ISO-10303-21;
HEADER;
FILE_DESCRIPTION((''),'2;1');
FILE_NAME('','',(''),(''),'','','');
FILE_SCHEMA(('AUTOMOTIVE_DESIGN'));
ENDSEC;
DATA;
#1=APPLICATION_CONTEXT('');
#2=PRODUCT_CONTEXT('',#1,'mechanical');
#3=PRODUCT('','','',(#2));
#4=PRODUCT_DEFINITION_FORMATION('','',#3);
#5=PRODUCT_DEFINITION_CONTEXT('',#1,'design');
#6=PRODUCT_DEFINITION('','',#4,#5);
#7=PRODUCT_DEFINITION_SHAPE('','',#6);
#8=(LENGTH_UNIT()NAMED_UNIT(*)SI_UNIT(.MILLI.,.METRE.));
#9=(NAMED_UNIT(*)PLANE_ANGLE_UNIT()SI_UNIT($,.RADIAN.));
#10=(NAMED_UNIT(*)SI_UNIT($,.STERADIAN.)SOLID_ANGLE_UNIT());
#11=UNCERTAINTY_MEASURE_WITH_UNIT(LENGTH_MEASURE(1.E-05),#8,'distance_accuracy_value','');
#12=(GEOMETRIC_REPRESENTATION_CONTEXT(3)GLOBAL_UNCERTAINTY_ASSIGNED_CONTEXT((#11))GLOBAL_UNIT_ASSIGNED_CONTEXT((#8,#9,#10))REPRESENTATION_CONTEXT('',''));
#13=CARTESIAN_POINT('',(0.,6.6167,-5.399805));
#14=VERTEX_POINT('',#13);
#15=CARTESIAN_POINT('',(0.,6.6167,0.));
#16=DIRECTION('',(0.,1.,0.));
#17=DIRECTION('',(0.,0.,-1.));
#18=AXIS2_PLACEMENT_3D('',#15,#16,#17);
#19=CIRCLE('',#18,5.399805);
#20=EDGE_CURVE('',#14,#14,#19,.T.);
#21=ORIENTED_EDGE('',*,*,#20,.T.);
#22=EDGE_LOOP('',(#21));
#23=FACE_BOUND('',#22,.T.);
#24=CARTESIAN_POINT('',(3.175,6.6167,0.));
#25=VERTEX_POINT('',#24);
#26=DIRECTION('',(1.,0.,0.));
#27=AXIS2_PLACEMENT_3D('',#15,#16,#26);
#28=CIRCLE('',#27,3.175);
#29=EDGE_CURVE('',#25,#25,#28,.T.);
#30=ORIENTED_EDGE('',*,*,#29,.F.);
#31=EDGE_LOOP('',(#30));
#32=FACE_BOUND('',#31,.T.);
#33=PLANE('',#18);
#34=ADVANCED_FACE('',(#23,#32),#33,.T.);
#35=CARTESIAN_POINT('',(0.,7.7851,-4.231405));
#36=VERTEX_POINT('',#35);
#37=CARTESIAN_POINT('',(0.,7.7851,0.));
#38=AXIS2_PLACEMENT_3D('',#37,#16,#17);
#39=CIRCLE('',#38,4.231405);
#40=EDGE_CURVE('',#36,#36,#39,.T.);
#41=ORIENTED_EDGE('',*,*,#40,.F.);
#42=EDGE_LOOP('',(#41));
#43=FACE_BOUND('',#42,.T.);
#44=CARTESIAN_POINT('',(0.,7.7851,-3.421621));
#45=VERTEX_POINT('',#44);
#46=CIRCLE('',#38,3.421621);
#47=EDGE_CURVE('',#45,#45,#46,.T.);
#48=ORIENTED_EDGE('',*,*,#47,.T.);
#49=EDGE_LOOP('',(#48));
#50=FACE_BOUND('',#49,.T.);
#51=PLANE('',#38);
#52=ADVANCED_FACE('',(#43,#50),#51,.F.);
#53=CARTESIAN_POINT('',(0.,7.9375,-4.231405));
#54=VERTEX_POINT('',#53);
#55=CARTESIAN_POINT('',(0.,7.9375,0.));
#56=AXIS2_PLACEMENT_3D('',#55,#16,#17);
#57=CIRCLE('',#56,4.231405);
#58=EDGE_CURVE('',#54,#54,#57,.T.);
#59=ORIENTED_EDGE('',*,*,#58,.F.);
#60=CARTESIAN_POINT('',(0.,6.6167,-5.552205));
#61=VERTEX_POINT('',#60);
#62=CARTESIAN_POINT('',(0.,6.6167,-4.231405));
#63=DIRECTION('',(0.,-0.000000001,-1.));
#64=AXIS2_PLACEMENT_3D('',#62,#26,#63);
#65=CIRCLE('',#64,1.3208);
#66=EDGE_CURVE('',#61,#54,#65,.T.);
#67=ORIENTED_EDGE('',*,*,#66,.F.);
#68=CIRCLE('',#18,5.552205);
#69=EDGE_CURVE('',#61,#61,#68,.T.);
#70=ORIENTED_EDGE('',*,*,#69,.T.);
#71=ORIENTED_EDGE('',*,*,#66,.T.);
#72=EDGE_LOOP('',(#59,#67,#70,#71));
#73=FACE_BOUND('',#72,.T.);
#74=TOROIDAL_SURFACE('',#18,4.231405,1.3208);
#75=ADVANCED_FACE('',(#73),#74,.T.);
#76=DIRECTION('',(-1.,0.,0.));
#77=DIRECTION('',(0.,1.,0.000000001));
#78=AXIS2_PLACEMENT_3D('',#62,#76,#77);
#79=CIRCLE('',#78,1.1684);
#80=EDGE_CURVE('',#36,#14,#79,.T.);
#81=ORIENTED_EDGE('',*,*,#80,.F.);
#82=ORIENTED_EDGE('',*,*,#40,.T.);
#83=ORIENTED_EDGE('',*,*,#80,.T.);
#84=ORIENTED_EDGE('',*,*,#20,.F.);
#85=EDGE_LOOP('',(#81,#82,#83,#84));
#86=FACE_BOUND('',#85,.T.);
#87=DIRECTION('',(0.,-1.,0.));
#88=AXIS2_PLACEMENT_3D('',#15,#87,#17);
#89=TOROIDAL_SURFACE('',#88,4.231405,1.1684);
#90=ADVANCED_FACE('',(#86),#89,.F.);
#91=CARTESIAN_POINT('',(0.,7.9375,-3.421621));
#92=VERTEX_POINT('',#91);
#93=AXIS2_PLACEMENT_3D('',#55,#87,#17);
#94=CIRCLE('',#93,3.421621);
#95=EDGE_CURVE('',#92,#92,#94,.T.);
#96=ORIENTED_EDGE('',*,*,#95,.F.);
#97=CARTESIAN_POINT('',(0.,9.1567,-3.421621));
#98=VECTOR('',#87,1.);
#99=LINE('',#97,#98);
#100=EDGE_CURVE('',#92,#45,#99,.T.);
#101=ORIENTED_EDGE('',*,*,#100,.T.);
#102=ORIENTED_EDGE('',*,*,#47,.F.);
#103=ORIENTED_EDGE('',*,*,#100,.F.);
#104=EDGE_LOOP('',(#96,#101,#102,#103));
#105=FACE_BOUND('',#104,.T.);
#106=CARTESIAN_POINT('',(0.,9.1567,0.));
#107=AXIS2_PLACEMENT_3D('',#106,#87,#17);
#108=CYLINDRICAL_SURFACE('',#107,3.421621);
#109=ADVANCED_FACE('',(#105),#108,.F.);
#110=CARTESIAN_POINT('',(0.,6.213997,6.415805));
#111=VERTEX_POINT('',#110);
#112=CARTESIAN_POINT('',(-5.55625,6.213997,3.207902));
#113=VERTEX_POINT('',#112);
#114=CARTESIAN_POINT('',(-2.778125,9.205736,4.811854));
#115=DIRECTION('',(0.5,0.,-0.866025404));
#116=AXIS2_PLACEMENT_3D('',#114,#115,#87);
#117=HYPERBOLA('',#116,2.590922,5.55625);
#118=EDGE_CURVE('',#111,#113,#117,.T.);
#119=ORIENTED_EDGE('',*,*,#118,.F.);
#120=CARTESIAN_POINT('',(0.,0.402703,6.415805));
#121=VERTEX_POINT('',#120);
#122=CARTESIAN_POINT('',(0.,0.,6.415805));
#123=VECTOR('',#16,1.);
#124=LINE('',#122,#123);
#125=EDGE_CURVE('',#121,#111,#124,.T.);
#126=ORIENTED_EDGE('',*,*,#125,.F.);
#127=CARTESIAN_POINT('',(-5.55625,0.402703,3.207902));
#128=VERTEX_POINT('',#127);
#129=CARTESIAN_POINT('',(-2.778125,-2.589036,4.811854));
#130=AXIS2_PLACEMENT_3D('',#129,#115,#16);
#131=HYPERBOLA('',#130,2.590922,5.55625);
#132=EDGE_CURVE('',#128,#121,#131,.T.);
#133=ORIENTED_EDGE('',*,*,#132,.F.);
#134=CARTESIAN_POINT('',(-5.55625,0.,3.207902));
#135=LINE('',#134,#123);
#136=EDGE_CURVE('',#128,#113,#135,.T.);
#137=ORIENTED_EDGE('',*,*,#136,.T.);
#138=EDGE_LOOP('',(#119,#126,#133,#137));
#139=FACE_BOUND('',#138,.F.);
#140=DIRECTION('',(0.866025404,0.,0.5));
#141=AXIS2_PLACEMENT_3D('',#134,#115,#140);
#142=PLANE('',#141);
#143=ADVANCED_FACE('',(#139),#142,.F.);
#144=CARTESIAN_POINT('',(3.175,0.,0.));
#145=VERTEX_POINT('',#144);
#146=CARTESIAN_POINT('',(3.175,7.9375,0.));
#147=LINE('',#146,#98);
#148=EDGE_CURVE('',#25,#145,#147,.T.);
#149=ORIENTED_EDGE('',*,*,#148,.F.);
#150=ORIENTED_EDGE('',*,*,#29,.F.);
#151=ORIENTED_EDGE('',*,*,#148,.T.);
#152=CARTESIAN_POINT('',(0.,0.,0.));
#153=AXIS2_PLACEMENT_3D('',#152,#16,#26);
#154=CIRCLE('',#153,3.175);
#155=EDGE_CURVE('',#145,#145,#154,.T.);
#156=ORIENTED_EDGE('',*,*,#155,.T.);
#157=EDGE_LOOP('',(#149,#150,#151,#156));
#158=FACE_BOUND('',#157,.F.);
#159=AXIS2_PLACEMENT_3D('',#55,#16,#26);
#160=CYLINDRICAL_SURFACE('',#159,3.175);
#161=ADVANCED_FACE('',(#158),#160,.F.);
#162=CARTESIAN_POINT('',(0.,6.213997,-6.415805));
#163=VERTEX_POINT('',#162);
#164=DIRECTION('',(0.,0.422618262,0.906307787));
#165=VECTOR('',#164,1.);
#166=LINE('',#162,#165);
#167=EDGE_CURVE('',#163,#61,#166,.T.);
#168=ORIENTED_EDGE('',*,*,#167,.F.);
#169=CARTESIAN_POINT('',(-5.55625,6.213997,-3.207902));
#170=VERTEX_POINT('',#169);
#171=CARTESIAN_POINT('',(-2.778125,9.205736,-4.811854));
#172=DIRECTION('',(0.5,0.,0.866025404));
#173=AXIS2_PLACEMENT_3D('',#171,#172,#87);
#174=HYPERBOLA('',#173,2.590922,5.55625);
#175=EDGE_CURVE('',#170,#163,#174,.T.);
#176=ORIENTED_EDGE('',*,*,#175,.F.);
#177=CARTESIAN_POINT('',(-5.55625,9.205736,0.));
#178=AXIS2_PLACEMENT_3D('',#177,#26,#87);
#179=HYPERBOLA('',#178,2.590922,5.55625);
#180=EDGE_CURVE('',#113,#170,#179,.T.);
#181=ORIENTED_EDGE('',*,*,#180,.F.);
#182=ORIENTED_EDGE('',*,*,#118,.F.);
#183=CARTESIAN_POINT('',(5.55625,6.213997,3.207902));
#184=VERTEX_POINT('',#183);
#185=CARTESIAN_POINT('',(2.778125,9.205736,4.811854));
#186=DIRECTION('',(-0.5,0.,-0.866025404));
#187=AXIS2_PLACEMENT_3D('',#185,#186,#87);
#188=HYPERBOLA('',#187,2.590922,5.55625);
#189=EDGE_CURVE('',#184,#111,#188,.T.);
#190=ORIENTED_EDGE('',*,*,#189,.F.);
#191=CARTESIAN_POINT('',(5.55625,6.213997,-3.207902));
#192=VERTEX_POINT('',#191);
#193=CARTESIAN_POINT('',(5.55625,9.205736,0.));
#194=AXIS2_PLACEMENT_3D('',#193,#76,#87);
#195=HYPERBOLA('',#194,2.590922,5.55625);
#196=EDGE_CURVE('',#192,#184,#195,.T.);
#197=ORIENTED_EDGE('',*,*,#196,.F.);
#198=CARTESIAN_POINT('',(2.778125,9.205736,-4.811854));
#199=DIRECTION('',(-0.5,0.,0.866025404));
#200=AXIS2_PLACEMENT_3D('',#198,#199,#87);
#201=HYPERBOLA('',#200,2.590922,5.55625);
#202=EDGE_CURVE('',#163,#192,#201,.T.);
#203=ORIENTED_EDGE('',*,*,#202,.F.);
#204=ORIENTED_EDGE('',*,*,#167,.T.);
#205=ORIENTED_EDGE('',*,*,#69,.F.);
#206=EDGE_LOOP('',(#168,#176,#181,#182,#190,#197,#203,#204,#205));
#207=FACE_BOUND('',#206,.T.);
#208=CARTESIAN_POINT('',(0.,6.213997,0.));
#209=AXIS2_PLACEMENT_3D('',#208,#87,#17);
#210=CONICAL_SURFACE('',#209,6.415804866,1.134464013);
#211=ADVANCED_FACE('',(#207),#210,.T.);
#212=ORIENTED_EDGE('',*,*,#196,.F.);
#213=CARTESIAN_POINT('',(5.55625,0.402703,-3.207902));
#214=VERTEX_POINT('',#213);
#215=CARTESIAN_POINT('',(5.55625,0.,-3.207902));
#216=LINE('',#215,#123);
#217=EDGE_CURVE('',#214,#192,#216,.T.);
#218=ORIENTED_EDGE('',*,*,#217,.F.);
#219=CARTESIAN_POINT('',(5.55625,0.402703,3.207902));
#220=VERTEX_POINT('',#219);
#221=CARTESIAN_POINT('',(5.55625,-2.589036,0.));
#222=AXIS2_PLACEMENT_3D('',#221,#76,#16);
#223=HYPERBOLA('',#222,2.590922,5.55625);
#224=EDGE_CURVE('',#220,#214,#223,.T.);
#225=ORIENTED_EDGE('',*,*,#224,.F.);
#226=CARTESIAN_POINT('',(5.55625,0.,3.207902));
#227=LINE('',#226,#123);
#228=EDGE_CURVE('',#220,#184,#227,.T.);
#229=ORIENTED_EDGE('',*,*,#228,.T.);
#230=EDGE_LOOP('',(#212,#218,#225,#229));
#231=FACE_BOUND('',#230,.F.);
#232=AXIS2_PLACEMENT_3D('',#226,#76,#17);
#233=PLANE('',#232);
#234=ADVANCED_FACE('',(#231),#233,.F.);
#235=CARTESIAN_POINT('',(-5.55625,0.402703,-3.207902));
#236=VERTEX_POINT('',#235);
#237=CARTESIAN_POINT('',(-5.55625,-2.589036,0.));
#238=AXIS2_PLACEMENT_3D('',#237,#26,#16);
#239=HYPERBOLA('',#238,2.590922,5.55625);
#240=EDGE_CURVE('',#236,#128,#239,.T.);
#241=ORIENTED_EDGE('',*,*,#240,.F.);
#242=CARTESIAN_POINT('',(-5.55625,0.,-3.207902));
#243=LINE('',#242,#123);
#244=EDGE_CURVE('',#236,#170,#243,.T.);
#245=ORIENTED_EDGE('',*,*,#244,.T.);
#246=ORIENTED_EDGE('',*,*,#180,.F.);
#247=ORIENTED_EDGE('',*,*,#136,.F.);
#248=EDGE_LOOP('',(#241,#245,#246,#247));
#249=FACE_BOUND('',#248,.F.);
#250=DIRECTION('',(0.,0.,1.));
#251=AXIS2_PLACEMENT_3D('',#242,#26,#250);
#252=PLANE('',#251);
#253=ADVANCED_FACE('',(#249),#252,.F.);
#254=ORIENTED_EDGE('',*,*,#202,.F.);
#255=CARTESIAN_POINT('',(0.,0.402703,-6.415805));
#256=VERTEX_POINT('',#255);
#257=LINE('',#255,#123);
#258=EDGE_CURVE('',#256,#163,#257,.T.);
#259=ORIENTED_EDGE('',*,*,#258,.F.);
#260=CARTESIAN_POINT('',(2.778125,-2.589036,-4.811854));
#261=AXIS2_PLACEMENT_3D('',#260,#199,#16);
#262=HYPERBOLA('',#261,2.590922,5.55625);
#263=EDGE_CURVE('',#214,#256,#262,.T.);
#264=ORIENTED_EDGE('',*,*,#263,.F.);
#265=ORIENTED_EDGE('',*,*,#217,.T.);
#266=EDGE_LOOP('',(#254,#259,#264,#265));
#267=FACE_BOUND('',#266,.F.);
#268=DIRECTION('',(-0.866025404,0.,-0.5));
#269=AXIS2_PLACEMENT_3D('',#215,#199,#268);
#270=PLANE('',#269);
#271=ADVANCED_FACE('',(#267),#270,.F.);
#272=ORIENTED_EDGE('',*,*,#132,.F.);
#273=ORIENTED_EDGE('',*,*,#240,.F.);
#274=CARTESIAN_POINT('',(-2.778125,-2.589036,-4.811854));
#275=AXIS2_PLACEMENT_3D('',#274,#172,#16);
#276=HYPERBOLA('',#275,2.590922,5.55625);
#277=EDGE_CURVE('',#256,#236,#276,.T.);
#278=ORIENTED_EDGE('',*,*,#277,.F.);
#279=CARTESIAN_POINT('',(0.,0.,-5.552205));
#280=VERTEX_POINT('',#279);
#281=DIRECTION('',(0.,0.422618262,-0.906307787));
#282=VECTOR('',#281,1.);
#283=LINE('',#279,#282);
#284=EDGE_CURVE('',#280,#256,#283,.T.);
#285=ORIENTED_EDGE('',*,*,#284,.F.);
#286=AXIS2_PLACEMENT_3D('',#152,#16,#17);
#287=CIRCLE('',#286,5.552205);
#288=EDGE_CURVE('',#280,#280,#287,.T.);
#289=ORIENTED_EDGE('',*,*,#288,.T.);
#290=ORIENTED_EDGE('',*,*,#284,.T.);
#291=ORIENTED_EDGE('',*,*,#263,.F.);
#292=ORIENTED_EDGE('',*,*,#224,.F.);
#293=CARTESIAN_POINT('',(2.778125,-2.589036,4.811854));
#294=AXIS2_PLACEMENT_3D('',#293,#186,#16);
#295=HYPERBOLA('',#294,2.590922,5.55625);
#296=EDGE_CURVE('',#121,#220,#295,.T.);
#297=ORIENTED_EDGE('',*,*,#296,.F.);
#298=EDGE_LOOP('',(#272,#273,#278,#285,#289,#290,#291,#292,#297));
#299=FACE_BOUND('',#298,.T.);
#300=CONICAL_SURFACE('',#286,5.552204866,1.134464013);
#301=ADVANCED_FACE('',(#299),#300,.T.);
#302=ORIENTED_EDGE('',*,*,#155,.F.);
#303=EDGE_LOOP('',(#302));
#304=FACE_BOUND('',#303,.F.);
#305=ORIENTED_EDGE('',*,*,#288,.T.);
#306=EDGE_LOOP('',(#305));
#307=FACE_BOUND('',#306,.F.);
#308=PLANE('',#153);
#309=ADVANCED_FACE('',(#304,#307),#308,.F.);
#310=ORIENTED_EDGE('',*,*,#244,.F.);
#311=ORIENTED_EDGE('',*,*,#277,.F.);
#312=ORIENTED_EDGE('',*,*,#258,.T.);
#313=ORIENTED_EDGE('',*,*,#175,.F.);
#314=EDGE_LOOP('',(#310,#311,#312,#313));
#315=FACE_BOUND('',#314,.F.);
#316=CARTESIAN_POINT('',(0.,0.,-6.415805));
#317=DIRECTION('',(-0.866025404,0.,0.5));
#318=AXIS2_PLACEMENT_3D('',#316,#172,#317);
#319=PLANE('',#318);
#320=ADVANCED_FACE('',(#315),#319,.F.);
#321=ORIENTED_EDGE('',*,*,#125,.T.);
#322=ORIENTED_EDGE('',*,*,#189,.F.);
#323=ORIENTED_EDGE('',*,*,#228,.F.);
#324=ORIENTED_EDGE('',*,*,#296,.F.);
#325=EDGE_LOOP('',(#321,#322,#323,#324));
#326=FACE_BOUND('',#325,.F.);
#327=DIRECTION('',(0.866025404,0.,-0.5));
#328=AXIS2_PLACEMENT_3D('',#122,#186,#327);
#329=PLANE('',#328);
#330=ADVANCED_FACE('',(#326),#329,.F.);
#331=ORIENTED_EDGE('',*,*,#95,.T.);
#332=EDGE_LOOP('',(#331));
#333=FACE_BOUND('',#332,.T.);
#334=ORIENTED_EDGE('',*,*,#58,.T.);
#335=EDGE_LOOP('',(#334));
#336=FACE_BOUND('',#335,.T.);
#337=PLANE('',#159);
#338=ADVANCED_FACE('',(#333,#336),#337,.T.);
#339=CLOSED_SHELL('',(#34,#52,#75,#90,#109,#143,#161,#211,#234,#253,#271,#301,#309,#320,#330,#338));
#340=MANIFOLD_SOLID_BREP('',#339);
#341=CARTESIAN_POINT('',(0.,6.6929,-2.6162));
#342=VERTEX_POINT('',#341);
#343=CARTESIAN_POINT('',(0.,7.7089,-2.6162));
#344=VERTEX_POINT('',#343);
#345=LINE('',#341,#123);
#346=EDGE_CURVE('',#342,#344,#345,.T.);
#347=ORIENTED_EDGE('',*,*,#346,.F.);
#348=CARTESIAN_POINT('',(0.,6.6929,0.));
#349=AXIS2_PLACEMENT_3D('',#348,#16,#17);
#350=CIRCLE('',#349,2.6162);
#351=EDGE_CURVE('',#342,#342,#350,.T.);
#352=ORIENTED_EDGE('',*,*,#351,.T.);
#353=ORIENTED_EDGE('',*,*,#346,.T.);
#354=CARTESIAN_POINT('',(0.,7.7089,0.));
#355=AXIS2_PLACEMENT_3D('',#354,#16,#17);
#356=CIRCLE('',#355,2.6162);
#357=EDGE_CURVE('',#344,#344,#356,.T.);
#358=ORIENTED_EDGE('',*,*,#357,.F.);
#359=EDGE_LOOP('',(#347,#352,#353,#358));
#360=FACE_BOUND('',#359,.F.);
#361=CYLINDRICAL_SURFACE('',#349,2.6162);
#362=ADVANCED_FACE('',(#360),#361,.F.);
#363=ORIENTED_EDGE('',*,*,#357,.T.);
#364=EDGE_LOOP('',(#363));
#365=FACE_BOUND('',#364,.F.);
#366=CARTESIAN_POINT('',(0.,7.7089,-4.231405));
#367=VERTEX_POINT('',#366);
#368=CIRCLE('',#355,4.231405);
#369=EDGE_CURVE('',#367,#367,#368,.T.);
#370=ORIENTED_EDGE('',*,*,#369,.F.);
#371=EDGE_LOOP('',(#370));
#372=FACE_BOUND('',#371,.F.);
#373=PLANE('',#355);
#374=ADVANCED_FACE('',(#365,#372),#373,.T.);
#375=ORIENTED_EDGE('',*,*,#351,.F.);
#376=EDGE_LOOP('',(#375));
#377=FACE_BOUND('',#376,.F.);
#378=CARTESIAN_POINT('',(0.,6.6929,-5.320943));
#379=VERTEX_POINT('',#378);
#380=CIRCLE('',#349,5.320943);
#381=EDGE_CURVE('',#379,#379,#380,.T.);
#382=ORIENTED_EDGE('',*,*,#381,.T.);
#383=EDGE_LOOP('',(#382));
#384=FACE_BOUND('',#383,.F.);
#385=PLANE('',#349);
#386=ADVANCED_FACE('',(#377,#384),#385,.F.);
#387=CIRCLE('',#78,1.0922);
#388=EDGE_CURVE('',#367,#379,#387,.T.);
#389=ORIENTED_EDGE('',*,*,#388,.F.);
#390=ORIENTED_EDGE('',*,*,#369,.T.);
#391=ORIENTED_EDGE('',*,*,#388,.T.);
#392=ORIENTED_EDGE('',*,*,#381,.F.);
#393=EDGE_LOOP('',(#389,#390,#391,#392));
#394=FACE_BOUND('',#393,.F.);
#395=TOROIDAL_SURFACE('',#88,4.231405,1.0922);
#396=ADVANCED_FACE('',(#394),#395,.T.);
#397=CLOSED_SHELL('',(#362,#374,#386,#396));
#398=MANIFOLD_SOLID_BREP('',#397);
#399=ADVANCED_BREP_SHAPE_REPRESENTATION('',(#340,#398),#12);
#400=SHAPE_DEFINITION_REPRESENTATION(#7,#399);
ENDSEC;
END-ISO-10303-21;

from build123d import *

# Parameters (mm, degrees)
BOSS_EXTRUDE1_DEPTH = 7.9375
SKETCH2_R           = 3.175
CUT_EXTRUDE1_DEPTH  = 8.9375


with BuildPart() as part:
    # Sketch1 → Boss-Extrude1 (new body)
    with BuildSketch(Plane(origin=(0, 0, 0), x_dir=(1, 0, 0), z_dir=(0, 1, 0))):
        Polygon((0, 6.415804866), (-5.55625, 3.207902433), (-5.55625, -3.207902433), (0, -6.415804866), (5.55625, -3.207902433), (5.55625, 3.207902433), align=None)
    extrude(amount=BOSS_EXTRUDE1_DEPTH)

    # Sketch2 → Cut-Extrude1 (cut, through all)
    with BuildSketch(Plane(origin=(0, 7.9375, 0), x_dir=(1, 0, 0), z_dir=(0, 1, 0))):
        Circle(SKETCH2_R)
    extrude(amount=-CUT_EXTRUDE1_DEPTH, mode=Mode.SUBTRACT)

    # Sketch4 → Cut-Revolve1 (revolve, cut)
    with BuildSketch(Plane(origin=(0, 0, 0), x_dir=(0, 0, -1), z_dir=(1, 0, 0))):
        with BuildLine():
            Line((0, 0), (5.552204866, 0))
            Line((5.552204866, 0), (6.415804866, 0.402703294))
            Line((6.415804866, 0.402703294), (6.415804866, 6.213996706))
            Line((6.415804866, 6.213996706), (5.552204866, 6.6167))
            ThreePointArc((5.552204866, 6.6167), (5.165351503, 7.550646637), (4.231404866, 7.9375))
            Line((4.231404866, 7.9375), (4.231404866, 9.2075))
            Line((4.231404866, 9.2075), (7.685804866, 9.2075))
            Line((7.685804866, 9.2075), (7.685804866, -1.27))
            Line((7.685804866, -1.27), (0, -1.27))
            Line((0, -1.27), (0, 0))
        make_face()
    revolve(axis=Axis((0, 0, 0), (0, 1, 0)), mode=Mode.SUBTRACT)

    # Sketch5 → Cut-Revolve2 (revolve, cut)
    with BuildSketch(Plane(origin=(0, 0, 0), x_dir=(0, 0, -1), z_dir=(1, 0, 0))):
        with BuildLine():
            Line((5.399804866, 6.6167), (0, 6.6167))
            Line((0, 6.6167), (0, 9.1567))
            Line((0, 9.1567), (3.421620792, 9.1567))
            Line((3.421620792, 9.1567), (3.421620792, 7.7851))
            Line((3.421620792, 7.7851), (4.231404866, 7.7851))
            ThreePointArc((4.231404866, 7.7851), (5.05758843, 7.442883563), (5.399804866, 6.6167))
        make_face()
    revolve(axis=Axis((0, 6.6167, 0), (0, 1, 0)), mode=Mode.SUBTRACT)


with BuildPart() as body_2:
    # Sketch6 → Revolve1 (revolve)
    with BuildSketch(Plane(origin=(0, 0, 0), x_dir=(0, 0, -1), z_dir=(1, 0, 0))):
        with BuildLine():
            Line((2.6162, 6.6929), (2.6162, 7.7089))
            Line((2.6162, 7.7089), (4.231404866, 7.7089))
            ThreePointArc((4.231404866, 7.7089), (4.976279084, 7.415488608), (5.320943484, 6.6929))
            Line((5.320943484, 6.6929), (2.6162, 6.6929))
        make_face()
    revolve(axis=Axis((0, 0, 0), (0, 1, 0)))


solid = Compound([part.part, body_2.part])
